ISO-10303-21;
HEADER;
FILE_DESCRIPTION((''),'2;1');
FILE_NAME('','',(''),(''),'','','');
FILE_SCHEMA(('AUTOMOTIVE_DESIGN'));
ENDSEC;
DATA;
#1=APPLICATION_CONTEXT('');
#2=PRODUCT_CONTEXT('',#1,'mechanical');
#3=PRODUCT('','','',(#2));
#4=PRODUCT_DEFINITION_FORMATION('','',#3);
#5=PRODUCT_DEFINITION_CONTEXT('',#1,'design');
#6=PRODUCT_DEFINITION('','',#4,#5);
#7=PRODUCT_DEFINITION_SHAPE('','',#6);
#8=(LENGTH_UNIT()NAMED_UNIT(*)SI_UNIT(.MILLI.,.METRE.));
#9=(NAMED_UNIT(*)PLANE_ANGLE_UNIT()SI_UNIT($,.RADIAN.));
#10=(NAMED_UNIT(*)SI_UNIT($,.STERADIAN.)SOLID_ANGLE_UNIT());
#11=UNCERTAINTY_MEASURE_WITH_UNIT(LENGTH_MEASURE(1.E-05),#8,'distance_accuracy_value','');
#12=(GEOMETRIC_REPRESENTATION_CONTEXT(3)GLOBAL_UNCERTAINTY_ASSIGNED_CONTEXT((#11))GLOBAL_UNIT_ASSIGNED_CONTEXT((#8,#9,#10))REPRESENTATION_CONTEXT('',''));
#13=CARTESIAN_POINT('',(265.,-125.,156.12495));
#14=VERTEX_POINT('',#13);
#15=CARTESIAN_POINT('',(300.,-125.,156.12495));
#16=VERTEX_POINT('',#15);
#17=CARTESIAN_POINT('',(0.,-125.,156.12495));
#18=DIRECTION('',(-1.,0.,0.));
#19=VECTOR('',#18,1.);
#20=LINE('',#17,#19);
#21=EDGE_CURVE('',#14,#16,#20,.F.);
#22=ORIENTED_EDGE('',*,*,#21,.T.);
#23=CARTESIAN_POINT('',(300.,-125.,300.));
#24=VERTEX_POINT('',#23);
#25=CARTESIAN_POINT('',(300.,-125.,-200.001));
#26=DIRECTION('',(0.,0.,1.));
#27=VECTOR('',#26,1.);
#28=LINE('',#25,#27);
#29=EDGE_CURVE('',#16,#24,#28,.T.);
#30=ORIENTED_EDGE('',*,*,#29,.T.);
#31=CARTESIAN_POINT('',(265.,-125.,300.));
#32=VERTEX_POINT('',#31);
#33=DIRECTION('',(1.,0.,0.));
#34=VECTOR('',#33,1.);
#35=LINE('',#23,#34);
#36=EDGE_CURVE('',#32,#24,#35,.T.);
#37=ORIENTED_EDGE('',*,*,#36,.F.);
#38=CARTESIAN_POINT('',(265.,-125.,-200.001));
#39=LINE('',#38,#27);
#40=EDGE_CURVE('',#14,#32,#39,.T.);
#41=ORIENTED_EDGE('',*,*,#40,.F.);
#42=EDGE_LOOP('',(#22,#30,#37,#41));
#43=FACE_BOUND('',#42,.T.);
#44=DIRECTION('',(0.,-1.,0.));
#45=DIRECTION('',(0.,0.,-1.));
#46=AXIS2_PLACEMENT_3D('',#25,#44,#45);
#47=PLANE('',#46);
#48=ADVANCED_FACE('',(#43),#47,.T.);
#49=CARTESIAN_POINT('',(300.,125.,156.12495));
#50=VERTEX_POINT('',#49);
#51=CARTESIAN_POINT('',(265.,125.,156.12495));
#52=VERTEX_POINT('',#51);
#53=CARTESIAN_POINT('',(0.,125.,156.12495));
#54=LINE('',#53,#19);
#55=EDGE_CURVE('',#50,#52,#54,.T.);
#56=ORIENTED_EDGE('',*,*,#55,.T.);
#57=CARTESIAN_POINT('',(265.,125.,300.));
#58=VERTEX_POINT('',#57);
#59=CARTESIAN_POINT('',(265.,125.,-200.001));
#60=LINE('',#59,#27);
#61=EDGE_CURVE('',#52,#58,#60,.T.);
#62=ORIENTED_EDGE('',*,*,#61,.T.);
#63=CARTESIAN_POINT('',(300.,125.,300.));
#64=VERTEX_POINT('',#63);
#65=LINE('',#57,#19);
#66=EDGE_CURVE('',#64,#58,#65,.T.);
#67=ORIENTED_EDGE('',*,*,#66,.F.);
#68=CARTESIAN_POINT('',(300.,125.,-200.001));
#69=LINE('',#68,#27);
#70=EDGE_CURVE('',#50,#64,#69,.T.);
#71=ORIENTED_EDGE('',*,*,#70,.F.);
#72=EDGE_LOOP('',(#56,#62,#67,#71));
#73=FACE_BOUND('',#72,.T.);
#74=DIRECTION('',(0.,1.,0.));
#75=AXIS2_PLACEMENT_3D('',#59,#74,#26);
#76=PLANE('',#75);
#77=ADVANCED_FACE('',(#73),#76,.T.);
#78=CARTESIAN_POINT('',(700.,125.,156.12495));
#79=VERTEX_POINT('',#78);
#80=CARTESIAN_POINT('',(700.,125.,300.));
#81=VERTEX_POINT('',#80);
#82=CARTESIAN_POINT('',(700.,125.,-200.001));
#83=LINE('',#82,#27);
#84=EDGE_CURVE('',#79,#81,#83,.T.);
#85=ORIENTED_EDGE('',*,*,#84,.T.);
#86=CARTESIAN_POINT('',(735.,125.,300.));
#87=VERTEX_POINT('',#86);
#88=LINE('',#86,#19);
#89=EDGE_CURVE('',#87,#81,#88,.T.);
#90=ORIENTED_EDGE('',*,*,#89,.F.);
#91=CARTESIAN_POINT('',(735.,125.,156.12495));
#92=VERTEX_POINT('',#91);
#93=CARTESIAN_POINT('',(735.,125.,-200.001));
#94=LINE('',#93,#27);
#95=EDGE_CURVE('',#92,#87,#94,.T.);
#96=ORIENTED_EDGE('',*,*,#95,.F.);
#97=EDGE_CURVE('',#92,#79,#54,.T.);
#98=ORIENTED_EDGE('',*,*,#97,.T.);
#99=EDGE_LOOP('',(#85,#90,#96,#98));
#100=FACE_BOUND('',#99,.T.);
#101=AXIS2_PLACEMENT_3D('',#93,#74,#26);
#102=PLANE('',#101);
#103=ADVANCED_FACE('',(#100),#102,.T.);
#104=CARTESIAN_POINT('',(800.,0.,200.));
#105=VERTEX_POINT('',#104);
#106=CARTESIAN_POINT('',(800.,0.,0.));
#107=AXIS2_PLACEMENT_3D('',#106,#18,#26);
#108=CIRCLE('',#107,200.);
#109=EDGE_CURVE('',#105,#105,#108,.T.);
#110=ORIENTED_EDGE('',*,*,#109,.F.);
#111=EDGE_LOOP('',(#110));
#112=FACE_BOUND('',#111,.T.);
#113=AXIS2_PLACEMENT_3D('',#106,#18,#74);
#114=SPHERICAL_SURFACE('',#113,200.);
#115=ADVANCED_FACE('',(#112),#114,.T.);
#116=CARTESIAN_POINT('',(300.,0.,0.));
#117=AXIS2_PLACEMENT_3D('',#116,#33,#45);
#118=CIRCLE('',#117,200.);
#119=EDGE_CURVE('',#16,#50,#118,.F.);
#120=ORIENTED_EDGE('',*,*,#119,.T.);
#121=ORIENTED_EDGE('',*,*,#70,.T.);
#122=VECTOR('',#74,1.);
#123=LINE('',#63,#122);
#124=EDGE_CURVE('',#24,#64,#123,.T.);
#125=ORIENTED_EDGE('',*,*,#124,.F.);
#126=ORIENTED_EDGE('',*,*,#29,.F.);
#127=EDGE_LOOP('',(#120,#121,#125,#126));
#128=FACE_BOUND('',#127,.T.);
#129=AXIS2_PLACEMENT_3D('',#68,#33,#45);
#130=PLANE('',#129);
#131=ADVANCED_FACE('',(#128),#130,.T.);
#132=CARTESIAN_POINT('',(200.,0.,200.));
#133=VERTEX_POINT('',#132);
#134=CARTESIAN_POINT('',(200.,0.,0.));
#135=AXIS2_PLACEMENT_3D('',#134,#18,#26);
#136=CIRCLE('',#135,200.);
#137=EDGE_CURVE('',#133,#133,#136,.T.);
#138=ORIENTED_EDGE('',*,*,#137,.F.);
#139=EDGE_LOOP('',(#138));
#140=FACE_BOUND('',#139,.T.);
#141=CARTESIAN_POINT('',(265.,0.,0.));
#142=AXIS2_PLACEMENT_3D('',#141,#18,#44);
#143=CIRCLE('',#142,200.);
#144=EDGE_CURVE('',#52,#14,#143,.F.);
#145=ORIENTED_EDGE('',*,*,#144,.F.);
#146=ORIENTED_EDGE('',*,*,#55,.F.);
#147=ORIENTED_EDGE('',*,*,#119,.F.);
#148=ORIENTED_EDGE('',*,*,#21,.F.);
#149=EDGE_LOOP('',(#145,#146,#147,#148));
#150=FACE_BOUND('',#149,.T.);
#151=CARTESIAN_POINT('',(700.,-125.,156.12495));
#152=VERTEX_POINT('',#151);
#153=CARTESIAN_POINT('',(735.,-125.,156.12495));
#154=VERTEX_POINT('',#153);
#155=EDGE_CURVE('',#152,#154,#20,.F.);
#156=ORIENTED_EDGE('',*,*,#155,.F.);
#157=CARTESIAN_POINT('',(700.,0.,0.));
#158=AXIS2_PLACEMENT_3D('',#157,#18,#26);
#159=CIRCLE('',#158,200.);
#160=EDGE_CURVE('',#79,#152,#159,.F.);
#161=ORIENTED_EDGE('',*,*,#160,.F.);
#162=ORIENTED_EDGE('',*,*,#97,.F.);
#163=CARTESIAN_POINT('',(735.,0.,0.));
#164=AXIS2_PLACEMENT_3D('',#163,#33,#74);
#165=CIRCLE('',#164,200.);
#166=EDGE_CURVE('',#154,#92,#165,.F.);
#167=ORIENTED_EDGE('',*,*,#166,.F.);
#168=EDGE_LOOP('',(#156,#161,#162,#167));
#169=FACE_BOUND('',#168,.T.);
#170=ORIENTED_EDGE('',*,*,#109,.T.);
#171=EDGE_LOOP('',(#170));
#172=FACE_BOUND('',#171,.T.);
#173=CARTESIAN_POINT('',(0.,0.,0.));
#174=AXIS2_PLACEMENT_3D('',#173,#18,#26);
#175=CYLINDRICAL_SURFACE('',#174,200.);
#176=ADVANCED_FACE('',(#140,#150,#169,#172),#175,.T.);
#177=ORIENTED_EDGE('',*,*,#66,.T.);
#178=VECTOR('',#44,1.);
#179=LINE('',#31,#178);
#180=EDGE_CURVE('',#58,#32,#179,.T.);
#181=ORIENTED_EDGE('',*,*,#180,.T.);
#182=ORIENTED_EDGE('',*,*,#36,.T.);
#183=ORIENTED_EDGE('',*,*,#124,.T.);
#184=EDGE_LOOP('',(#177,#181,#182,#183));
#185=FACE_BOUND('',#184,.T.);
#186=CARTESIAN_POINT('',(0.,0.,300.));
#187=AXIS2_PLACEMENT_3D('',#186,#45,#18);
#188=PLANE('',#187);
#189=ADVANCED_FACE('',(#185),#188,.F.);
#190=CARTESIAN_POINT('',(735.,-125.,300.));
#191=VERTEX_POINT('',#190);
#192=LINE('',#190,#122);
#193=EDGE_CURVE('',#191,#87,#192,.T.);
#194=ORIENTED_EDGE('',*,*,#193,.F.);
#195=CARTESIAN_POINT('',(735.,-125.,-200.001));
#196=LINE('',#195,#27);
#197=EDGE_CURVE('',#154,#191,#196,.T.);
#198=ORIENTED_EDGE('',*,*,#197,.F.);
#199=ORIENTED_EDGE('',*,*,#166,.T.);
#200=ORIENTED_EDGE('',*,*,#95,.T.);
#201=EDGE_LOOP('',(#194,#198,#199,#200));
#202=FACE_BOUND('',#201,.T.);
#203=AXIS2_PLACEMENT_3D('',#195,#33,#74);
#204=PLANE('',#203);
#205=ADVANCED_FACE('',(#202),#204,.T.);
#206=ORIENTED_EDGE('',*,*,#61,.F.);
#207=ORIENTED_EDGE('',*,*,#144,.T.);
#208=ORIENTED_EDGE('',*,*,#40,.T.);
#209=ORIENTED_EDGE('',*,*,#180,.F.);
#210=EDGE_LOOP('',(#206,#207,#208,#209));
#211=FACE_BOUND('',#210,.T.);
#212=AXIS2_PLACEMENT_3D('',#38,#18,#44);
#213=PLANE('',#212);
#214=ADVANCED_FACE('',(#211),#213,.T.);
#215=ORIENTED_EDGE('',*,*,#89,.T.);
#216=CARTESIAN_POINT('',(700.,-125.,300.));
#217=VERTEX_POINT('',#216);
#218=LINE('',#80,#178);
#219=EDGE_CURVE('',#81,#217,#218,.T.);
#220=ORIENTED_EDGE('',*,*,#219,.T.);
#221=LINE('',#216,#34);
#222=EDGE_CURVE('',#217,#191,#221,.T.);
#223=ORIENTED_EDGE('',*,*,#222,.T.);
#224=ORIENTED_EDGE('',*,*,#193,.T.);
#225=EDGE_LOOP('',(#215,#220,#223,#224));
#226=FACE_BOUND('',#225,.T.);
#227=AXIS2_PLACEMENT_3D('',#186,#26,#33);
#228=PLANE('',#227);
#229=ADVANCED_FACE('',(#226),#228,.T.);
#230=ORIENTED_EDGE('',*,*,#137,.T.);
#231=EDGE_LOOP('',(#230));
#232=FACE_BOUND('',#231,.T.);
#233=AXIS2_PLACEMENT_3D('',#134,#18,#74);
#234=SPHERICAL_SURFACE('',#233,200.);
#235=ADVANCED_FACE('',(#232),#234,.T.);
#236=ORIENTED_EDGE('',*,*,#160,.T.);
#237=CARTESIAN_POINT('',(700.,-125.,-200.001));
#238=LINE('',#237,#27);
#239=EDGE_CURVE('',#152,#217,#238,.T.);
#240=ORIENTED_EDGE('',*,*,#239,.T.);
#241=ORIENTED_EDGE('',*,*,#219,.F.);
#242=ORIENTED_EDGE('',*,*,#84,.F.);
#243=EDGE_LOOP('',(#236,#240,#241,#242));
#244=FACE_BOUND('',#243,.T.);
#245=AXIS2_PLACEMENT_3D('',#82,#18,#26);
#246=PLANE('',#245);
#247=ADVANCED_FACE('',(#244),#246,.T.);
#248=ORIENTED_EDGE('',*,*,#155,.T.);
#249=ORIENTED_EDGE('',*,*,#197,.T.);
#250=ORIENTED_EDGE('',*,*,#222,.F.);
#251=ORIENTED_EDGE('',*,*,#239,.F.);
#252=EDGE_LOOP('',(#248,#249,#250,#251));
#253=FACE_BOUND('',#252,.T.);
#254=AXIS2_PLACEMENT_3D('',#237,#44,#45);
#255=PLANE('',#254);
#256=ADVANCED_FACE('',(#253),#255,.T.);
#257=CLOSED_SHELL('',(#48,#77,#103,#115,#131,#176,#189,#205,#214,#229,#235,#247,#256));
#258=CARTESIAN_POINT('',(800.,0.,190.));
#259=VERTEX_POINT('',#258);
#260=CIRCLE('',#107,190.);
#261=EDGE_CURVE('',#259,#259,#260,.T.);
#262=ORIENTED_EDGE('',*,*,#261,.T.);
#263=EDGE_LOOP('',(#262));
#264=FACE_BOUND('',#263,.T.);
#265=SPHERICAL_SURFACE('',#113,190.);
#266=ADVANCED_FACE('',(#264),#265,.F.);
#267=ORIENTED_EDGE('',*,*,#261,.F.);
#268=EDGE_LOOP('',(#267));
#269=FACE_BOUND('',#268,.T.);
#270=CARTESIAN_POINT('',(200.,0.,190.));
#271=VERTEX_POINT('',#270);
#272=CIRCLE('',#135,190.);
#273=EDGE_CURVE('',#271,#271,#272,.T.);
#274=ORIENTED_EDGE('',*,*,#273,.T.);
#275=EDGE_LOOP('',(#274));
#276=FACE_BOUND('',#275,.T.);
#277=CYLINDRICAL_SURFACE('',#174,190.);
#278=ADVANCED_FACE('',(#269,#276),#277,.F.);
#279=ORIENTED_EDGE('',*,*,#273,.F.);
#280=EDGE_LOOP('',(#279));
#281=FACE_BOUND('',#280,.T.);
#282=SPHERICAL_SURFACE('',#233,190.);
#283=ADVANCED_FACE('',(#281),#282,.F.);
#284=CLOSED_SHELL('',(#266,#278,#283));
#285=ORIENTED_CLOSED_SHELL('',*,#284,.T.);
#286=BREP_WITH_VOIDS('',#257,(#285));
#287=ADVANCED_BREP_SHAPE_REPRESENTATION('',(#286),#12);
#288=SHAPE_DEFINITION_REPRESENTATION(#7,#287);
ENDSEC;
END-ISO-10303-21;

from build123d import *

# Parameters (mm, degrees)
P_IDAT_VYSUNUT_M2_REACH = 502
SKICA2_W                = 35
SKICA2_H                = 250


with BuildPart() as part:
    # Skica1 → Rotovat1 (revolve)
    with BuildSketch(Plane.XY):
        with BuildLine():
            Line((200, 200), (800, 200))
            ThreePointArc((800, 200), (941.421356237, 141.421356237), (1000, 0))
            Line((1000, 0), (990, 0))
            ThreePointArc((990, 0), (934.350288425, 134.350288425), (800, 190))
            Line((800, 190), (200, 190))
            ThreePointArc((200, 190), (65.649711575, 134.350288425), (10, 0))
            Line((10, 0), (0, 0))
            ThreePointArc((0, 0), (58.578643763, 141.421356237), (200, 200))
        make_face()
    revolve(axis=Axis((0, 0, 0), (1, 0, 0)))

    # Skica2 → Přidat vysunutím2 (add, up to next)
    with BuildSketch(Plane.XY.offset(300), mode=Mode.PRIVATE) as p_idat_vysunut_m2_sk1:
        with Locations((717.5, 0)):
            Rectangle(SKICA2_W, SKICA2_H)
    p_idat_vysunut_m2_tool1 = extrude(p_idat_vysunut_m2_sk1.sketch, amount=-P_IDAT_VYSUNUT_M2_REACH, mode=Mode.PRIVATE) - part.part
    add(p_idat_vysunut_m2_tool1.solids().sort_by_distance((717.5, 0, 300))[0])
    # Skica2 → Přidat vysunutím2 (add, up to next)
    with BuildSketch(Plane.XY.offset(300), mode=Mode.PRIVATE) as p_idat_vysunut_m2_sk2:
        with Locations((282.5, 0)):
            Rectangle(SKICA2_W, SKICA2_H)
    p_idat_vysunut_m2_tool2 = extrude(p_idat_vysunut_m2_sk2.sketch, amount=-P_IDAT_VYSUNUT_M2_REACH, mode=Mode.PRIVATE) - part.part
    add(p_idat_vysunut_m2_tool2.solids().sort_by_distance((282.5, 0, 300))[0])


solid = part.part
